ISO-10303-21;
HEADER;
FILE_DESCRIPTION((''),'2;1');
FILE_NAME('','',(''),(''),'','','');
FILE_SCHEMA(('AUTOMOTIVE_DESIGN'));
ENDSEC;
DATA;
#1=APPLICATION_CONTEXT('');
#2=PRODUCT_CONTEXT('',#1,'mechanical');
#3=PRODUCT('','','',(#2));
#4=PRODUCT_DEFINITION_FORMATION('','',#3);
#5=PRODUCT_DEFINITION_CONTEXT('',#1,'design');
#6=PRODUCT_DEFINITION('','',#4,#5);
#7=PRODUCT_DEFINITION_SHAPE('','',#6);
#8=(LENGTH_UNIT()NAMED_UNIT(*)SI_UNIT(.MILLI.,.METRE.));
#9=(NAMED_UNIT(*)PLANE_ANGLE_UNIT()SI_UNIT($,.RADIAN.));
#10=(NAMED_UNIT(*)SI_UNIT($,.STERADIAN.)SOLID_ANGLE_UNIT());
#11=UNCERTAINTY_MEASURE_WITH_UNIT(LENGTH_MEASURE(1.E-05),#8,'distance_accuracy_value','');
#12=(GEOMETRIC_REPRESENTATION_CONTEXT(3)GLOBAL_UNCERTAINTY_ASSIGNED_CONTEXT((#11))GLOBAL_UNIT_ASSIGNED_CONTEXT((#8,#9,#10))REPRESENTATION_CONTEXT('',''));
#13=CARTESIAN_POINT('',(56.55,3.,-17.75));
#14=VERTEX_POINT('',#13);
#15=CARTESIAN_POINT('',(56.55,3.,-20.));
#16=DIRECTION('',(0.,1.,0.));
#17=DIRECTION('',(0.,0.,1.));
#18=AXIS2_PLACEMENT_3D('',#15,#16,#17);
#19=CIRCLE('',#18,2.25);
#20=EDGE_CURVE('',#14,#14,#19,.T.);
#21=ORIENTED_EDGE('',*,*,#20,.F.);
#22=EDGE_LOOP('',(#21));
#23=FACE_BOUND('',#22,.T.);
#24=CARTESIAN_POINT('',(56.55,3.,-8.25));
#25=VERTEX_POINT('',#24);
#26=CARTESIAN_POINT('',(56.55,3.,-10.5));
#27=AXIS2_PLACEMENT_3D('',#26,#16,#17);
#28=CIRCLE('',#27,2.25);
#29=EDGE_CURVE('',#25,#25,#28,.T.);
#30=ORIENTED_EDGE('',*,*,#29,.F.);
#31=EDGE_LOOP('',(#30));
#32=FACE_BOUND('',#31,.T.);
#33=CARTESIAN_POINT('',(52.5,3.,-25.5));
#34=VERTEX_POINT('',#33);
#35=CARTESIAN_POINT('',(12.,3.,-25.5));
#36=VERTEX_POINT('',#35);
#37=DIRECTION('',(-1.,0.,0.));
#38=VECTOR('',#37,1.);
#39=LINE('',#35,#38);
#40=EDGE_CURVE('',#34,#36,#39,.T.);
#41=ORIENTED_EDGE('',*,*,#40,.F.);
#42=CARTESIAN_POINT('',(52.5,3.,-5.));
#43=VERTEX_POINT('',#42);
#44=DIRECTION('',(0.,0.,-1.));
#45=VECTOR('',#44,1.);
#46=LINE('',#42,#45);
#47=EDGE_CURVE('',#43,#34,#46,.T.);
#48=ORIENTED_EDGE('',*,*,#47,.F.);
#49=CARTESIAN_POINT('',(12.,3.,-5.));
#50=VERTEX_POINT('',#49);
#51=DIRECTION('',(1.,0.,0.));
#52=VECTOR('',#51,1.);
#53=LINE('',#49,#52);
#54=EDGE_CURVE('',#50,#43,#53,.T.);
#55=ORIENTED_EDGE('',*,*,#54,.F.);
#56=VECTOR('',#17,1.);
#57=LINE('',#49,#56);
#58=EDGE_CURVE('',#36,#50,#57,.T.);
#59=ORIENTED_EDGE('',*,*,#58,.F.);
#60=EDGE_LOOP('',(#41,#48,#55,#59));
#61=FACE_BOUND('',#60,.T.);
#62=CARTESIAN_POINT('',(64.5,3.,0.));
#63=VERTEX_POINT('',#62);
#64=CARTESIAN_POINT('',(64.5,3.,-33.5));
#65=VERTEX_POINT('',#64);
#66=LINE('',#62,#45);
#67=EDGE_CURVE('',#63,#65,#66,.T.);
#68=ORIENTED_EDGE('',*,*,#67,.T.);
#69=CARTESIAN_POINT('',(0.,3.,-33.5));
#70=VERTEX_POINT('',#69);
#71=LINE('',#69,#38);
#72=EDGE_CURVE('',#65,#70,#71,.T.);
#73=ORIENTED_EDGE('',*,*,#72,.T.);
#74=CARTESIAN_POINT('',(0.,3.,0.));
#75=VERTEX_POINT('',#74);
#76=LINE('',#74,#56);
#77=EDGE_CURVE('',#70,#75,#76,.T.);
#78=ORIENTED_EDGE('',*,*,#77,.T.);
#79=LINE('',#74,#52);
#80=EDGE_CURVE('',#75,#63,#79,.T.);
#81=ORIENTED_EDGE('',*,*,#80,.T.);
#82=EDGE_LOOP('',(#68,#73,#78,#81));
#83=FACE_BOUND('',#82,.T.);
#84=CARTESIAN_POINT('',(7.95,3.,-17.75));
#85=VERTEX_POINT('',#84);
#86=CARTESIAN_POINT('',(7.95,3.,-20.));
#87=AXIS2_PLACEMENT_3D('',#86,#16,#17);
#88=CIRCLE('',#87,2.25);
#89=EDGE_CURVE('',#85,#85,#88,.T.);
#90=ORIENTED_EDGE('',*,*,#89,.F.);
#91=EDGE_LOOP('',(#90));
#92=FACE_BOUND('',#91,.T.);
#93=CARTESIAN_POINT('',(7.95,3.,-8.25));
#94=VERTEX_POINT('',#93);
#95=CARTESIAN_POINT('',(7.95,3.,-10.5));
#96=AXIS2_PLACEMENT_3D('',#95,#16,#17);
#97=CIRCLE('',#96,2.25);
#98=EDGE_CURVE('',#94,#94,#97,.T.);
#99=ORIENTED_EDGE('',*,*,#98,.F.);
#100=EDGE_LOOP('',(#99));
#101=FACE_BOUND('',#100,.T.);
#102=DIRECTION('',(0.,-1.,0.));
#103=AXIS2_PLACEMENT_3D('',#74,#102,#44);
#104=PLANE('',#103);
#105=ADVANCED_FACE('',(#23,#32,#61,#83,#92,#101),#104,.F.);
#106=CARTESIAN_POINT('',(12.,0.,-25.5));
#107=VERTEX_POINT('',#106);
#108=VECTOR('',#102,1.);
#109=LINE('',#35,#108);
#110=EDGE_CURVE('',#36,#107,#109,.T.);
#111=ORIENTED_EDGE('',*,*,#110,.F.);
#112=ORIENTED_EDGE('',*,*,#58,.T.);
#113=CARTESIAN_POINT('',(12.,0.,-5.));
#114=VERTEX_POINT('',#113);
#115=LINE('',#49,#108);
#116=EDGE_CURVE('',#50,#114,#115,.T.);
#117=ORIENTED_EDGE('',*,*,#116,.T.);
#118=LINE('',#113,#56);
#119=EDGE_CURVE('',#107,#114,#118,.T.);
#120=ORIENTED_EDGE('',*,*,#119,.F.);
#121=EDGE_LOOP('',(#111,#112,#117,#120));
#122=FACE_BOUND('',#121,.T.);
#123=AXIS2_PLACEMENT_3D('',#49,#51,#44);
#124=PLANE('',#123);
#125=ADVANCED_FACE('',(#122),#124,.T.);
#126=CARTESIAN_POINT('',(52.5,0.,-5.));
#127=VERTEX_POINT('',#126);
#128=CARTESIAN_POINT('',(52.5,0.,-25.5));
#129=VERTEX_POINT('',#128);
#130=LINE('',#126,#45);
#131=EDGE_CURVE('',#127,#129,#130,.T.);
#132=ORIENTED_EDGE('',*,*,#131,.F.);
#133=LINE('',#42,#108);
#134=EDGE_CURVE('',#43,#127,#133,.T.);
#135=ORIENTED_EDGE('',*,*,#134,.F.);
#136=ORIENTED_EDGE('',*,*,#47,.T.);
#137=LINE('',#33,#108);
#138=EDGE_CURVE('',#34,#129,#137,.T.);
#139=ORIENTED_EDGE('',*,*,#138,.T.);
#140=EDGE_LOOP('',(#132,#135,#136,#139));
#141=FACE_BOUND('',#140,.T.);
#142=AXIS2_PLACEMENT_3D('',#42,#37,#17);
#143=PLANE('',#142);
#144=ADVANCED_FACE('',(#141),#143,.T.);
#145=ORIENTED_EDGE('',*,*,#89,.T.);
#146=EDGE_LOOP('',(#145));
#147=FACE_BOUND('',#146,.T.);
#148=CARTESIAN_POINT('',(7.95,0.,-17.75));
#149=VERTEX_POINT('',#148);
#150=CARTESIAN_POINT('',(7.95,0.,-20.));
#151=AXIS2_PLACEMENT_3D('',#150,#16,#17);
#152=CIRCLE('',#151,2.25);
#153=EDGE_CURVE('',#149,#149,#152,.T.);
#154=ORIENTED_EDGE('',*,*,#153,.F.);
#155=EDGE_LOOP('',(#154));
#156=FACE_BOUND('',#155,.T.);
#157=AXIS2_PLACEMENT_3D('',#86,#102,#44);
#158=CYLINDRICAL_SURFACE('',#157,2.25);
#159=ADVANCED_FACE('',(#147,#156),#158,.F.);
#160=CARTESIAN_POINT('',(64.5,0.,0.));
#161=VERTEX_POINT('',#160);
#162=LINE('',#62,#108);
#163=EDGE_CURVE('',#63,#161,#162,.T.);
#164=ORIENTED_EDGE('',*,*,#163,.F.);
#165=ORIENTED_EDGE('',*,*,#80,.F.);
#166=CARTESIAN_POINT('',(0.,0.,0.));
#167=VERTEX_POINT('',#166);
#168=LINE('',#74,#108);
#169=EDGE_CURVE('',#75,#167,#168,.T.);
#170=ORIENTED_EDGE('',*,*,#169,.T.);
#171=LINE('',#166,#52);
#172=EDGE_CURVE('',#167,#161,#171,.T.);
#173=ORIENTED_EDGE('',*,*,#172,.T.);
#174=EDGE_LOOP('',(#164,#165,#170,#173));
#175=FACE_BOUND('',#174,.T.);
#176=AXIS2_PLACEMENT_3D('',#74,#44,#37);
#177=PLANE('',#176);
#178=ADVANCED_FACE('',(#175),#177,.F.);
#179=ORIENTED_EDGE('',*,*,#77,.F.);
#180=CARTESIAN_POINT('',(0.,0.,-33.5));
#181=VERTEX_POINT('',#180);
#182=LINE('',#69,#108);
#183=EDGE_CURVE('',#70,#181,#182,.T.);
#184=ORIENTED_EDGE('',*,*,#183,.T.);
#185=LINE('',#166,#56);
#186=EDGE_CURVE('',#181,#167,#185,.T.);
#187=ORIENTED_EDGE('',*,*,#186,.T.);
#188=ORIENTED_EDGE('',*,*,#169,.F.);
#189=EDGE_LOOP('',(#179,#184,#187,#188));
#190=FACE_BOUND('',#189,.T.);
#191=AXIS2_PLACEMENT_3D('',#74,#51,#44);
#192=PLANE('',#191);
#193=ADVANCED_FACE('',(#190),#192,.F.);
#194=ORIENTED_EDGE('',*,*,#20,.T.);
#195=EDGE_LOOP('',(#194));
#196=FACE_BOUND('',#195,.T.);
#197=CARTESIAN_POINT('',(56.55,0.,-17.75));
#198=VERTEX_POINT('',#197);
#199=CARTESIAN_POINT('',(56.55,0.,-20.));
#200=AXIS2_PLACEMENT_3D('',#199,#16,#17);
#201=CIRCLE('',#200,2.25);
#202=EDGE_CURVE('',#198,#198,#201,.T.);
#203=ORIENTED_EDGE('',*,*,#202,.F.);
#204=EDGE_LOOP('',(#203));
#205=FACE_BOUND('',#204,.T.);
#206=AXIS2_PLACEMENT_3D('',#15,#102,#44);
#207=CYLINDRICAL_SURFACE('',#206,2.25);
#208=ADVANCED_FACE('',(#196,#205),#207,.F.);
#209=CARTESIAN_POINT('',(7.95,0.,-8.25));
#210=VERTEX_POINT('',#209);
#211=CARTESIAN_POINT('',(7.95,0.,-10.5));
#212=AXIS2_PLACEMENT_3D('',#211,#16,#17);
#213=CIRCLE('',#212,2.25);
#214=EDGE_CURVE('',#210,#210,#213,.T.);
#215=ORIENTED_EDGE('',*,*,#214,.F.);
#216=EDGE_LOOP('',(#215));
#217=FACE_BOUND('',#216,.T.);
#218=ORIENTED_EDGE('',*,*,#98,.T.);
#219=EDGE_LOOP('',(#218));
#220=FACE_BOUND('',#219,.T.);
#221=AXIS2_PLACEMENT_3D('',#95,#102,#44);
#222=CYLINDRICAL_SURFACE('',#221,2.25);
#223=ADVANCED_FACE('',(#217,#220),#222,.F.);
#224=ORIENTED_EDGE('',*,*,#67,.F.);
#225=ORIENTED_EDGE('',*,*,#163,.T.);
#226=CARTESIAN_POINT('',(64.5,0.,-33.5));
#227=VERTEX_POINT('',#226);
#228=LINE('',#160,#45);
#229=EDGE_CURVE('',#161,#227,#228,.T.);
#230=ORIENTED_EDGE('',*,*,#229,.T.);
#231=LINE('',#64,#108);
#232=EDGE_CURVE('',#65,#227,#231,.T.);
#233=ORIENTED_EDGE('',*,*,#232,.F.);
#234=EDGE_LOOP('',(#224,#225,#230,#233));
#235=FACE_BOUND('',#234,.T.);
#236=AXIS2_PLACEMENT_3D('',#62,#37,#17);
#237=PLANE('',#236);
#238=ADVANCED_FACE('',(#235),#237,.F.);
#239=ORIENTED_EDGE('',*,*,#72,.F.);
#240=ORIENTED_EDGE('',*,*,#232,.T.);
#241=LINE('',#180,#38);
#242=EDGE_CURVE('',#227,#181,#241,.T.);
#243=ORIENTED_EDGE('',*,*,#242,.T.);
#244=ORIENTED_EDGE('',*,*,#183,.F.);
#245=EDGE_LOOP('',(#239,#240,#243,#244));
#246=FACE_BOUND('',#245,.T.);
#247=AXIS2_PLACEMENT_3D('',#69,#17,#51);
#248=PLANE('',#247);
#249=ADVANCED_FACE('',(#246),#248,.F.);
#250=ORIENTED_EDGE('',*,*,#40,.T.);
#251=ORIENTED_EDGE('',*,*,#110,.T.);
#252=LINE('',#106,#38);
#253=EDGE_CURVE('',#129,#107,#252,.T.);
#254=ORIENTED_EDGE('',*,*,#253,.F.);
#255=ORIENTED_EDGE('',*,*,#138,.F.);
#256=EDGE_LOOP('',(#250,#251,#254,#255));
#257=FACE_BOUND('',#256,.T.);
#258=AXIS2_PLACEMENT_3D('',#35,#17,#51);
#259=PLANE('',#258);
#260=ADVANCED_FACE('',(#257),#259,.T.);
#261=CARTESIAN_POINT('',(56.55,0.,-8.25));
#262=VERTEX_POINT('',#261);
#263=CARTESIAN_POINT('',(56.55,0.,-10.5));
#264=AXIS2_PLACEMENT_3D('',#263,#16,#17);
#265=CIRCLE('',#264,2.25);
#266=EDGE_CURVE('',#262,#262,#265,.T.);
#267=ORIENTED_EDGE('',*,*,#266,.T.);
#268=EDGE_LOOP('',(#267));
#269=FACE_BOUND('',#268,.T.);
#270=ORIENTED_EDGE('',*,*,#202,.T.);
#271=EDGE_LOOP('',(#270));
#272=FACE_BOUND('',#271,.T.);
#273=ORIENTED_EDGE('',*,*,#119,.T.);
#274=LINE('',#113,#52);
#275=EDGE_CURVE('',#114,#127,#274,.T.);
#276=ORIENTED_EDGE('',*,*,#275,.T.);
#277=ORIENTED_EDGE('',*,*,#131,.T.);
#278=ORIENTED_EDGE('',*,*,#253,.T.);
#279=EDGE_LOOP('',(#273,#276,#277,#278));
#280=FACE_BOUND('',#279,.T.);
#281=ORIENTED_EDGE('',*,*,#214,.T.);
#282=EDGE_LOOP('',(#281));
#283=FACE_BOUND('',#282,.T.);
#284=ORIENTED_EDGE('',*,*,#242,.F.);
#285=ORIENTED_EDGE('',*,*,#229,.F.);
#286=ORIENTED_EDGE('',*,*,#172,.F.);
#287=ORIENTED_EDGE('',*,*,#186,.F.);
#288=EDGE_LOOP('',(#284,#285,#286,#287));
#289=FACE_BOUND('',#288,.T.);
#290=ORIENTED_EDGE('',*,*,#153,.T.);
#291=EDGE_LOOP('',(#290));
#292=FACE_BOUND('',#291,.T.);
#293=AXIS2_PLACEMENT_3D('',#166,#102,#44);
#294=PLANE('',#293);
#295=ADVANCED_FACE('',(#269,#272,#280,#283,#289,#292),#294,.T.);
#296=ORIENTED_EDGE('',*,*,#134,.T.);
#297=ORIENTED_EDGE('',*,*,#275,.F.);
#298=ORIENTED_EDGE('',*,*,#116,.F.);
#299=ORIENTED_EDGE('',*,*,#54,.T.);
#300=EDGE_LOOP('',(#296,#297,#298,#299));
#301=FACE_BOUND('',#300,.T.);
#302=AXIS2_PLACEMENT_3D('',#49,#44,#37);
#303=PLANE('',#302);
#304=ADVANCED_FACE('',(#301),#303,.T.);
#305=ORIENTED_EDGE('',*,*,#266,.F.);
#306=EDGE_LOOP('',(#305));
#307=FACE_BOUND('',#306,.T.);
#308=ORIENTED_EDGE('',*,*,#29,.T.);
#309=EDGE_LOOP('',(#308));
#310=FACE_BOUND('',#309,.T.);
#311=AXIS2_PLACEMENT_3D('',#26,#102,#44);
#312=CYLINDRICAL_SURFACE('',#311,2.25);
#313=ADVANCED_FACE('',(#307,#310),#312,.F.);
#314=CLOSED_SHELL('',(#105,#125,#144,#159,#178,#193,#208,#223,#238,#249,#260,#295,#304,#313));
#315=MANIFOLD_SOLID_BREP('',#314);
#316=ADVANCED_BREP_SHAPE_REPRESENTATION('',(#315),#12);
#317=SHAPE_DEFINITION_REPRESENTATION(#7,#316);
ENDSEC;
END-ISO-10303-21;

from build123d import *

# Parameters (mm, degrees)
SKETCH2_W           = 64.5
SKETCH2_H           = 33.5
SKETCH2_R           = 2.25
SKETCH2_W_2         = 40.5
SKETCH2_H_2         = 20.5
BOSS_EXTRUDE1_DEPTH = 3


with BuildPart() as part:
    # Sketch2 → Boss-Extrude1 (new body)
    with BuildSketch(Plane(origin=(0, 0, 0), x_dir=(1, 0, 0), z_dir=(0, 1, 0))):
        with Locations((32.25, 16.75)):
            Rectangle(SKETCH2_W, SKETCH2_H)
        with Locations(Location((7.95, 20, 0), (0, 0, 270))):
            Circle(SKETCH2_R, mode=Mode.SUBTRACT)
        with Locations(Location((7.95, 10.5, 0), (0, 0, 270))):
            Circle(SKETCH2_R, mode=Mode.SUBTRACT)
        with Locations(Location((56.55, 20, 0), (0, 0, 270))):
            Circle(SKETCH2_R, mode=Mode.SUBTRACT)
        with Locations(Location((56.55, 10.5, 0), (0, 0, 270))):
            Circle(SKETCH2_R, mode=Mode.SUBTRACT)
        with Locations((32.25, 15.25)):
            Rectangle(SKETCH2_W_2, SKETCH2_H_2, mode=Mode.SUBTRACT)
    extrude(amount=BOSS_EXTRUDE1_DEPTH)


solid = part.part
